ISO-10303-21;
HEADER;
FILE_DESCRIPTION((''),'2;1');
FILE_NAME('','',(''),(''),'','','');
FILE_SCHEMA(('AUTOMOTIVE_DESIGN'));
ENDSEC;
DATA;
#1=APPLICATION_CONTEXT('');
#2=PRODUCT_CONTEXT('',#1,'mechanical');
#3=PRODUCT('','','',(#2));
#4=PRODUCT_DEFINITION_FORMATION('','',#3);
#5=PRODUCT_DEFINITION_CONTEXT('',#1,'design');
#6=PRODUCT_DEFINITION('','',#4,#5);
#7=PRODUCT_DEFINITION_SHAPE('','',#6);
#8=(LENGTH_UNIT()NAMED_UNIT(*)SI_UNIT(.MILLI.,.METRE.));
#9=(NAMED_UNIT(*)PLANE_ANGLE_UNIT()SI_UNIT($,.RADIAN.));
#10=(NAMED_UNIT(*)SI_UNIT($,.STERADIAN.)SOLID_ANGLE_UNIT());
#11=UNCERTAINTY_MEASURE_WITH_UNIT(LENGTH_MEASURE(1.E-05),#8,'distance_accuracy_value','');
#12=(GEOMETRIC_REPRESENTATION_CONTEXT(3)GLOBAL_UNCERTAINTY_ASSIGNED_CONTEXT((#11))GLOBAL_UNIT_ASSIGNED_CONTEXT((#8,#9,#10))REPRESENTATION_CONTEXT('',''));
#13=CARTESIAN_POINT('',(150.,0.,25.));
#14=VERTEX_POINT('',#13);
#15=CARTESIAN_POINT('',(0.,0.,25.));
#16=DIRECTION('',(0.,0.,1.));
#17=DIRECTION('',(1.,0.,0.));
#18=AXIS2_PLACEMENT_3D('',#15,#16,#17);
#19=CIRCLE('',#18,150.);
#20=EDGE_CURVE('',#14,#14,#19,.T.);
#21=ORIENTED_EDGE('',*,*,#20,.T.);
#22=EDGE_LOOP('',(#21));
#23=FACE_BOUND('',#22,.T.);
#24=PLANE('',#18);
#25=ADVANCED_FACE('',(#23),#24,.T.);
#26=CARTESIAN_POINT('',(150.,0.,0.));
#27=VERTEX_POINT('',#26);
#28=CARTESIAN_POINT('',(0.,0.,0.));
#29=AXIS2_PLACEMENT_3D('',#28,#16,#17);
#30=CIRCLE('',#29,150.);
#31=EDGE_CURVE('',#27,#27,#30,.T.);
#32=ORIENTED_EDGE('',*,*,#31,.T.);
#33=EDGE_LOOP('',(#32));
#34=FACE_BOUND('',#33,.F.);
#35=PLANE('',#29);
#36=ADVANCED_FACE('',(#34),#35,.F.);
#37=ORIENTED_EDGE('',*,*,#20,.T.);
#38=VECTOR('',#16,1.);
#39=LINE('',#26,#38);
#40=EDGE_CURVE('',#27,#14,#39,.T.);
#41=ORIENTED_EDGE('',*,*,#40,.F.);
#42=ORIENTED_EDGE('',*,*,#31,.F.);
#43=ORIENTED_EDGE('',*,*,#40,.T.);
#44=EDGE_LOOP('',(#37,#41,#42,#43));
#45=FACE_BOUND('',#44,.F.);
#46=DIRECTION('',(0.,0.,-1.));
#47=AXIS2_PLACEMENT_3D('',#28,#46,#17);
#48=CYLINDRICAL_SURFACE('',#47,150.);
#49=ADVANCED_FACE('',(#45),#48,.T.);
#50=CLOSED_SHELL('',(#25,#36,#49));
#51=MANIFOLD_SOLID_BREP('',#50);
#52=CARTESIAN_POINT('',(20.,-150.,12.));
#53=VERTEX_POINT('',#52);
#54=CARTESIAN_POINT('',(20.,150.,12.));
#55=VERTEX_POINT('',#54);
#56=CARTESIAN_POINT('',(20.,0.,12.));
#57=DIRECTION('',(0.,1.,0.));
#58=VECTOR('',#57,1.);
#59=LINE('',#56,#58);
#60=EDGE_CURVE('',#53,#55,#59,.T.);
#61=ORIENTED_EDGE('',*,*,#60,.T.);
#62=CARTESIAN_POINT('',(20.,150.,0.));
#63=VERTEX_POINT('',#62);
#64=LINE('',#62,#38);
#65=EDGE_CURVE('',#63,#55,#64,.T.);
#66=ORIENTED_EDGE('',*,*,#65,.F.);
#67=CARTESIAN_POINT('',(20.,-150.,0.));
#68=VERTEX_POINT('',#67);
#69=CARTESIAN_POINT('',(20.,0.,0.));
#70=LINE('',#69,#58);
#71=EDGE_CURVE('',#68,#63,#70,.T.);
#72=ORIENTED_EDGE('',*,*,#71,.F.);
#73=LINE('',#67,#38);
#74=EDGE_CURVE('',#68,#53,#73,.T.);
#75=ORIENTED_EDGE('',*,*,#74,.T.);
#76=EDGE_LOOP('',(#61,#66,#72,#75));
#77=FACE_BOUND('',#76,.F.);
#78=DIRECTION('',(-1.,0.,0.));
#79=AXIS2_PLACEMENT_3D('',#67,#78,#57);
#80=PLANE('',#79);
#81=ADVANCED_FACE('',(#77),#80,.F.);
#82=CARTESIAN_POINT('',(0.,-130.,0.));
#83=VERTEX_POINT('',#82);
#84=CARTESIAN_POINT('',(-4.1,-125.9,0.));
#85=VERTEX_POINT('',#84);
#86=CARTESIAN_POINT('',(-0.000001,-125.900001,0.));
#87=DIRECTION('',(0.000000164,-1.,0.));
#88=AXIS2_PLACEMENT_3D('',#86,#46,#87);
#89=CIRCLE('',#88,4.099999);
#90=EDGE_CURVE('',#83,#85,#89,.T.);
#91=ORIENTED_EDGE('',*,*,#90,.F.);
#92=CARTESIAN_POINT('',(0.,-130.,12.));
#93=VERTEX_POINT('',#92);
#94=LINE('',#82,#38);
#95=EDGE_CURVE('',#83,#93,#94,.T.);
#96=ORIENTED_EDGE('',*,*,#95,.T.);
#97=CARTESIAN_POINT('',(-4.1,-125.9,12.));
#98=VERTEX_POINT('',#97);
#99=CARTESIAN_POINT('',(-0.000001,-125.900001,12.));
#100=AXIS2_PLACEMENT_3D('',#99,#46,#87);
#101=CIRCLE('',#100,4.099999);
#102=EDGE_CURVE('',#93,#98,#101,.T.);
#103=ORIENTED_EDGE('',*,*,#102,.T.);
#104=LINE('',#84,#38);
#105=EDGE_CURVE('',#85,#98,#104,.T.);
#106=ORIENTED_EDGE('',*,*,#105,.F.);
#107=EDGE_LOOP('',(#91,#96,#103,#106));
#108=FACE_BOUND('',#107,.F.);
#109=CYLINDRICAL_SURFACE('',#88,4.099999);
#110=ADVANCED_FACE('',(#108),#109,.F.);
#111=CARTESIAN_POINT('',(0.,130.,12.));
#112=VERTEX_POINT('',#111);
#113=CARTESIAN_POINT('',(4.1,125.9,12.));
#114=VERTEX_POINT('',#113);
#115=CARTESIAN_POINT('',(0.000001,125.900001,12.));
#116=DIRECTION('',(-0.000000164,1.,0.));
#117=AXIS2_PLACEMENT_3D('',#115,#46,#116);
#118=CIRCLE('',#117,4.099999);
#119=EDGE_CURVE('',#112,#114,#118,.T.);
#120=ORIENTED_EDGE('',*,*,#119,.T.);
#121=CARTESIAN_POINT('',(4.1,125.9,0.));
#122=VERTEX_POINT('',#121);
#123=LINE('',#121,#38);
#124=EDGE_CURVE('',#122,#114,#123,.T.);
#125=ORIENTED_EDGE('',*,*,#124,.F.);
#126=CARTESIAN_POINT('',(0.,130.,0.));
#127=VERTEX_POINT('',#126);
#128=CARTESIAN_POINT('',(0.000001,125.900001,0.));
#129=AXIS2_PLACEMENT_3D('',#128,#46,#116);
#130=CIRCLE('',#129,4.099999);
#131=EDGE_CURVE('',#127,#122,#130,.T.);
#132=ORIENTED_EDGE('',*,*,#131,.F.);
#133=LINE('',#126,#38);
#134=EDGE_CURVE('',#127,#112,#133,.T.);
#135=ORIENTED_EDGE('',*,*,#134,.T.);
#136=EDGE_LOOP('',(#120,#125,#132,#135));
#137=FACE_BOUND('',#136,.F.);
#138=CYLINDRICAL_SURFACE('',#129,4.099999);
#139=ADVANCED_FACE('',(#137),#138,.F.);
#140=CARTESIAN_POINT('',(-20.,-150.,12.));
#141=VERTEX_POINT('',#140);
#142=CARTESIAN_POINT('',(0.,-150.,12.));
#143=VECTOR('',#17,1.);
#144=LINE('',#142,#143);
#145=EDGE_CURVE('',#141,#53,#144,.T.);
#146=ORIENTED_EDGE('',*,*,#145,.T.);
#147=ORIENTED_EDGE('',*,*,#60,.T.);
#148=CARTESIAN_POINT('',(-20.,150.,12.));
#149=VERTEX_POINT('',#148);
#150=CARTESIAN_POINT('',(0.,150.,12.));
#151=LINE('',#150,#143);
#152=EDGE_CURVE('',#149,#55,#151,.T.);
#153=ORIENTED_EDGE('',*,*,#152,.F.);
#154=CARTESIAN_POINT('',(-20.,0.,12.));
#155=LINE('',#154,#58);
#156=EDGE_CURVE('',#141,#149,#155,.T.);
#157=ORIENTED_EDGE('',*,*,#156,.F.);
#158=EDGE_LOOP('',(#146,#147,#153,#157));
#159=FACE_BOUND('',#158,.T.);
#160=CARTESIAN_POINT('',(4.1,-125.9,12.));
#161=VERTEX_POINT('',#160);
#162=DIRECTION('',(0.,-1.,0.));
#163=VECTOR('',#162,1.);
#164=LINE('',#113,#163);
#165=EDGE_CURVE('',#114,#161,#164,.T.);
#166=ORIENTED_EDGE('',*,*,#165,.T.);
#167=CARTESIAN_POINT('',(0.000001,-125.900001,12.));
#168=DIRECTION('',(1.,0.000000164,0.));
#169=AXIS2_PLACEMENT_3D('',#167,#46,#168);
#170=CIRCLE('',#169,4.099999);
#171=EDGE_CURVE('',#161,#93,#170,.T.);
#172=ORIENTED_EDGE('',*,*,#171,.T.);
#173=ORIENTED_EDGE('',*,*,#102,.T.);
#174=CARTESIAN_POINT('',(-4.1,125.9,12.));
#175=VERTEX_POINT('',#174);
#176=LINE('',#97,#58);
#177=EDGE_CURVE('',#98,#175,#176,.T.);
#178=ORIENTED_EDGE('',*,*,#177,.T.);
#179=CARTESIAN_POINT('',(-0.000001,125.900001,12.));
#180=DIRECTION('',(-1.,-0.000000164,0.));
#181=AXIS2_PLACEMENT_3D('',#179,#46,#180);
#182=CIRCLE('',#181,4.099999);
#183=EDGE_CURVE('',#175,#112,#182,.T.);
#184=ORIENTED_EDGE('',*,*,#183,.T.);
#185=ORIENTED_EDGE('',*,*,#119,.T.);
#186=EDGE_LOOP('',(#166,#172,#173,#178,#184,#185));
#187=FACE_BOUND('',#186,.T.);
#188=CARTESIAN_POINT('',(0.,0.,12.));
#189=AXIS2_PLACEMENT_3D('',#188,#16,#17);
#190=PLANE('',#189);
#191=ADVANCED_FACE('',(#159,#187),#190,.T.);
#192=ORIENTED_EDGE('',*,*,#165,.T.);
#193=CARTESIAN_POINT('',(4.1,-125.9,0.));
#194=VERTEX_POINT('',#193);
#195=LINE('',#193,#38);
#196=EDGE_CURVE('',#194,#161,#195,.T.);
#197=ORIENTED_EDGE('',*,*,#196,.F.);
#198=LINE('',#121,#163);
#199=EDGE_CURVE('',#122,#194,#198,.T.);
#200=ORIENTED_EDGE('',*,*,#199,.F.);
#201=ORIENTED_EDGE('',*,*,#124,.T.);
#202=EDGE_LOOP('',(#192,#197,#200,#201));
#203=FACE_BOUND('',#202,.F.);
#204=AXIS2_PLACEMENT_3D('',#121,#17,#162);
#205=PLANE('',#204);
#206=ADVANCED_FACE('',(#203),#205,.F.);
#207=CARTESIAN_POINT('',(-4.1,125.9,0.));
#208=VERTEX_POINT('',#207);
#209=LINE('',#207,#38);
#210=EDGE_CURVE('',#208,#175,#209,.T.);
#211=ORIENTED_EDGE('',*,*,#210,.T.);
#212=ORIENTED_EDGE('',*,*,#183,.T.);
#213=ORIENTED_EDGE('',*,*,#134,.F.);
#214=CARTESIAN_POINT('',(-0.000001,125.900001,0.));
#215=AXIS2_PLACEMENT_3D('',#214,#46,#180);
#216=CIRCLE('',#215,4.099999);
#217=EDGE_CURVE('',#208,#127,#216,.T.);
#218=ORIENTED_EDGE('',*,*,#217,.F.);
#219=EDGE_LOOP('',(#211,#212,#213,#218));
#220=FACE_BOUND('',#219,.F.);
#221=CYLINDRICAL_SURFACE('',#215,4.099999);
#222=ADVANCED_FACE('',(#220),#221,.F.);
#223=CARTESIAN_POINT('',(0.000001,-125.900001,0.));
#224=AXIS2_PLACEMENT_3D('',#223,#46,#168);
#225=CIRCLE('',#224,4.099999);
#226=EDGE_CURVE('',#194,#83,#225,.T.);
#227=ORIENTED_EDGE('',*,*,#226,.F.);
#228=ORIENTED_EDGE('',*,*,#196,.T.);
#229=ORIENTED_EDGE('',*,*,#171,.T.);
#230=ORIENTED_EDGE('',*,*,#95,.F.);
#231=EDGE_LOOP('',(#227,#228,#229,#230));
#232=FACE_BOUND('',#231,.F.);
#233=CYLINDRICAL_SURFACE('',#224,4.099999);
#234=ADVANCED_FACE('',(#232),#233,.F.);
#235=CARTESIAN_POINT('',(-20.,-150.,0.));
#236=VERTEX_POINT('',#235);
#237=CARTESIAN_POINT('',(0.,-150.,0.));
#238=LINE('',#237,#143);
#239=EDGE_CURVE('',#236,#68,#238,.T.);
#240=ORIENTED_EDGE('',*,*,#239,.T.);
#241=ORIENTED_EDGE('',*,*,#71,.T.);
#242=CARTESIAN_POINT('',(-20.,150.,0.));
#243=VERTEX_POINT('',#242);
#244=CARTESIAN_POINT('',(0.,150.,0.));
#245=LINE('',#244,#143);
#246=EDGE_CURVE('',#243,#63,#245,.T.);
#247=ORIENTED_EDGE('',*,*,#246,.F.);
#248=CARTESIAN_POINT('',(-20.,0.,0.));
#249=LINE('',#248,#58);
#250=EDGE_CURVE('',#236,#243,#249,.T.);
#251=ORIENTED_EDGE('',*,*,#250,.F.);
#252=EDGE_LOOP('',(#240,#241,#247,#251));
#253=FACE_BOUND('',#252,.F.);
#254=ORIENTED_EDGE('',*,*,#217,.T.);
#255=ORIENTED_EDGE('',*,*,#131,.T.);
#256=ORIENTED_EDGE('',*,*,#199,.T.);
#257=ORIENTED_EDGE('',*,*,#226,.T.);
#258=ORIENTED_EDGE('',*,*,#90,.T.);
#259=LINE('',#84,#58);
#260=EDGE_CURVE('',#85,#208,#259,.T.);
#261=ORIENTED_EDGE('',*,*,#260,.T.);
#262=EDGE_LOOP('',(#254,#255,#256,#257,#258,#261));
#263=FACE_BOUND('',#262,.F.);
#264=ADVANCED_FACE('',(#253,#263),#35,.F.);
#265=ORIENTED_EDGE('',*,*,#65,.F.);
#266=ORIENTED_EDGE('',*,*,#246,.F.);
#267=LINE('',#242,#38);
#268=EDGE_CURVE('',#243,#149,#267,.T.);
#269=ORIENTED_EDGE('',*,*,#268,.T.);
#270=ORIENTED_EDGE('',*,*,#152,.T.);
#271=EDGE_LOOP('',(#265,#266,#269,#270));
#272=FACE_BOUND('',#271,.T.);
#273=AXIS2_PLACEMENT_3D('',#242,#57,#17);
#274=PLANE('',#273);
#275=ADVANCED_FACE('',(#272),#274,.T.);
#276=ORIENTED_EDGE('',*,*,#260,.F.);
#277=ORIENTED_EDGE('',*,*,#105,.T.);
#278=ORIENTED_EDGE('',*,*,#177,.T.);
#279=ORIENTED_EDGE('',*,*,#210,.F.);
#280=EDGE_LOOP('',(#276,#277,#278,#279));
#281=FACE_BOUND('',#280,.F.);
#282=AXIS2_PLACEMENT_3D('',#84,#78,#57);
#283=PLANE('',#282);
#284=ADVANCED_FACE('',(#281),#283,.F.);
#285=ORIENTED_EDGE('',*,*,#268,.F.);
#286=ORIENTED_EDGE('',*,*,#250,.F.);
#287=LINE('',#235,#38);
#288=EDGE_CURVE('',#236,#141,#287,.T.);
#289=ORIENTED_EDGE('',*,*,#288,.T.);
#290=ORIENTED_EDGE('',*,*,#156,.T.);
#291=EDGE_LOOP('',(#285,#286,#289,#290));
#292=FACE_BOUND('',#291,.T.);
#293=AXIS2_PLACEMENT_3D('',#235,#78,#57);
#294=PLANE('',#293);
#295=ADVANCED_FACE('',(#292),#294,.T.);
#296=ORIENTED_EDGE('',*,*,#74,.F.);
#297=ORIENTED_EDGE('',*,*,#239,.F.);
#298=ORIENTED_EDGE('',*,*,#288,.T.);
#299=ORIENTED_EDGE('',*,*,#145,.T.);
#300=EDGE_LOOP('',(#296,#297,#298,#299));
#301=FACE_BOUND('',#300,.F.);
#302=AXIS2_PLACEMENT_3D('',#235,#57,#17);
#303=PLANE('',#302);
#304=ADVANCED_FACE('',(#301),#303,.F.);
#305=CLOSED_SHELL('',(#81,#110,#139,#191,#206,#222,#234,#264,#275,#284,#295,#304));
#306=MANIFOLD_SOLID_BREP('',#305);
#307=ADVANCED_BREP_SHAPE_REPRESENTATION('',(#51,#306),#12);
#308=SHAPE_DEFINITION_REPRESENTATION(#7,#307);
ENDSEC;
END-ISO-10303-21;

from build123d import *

# Parameters (mm, degrees)
F0_W     = 40
F0_H     = 300
F1_DEPTH = 12
F2_R     = 150
F3_DEPTH = 25


with BuildPart() as f1:
    # F0 (on Top) → F1 (new body)
    with BuildSketch(Plane.XY):
        Rectangle(F0_W, F0_H)
        with BuildLine():
            Line((-4.1, -125.9), (-4.1, 125.9))
            ThreePointArc((-4.1, 125.9), (-2.899138, 128.799138), (0, 130))
            ThreePointArc((0, 130), (2.899138, 128.799138), (4.1, 125.9))
            Line((4.1, 125.9), (4.1, -125.9))
            ThreePointArc((4.1, -125.9), (2.899138, -128.799138), (0, -130))
            ThreePointArc((0, -130), (-2.899138, -128.799138), (-4.1, -125.9))
        make_face(mode=Mode.SUBTRACT)
    extrude(amount=F1_DEPTH)


with BuildPart() as f3:
    # F2 (on Top) → F3 (new body)
    with BuildSketch(Plane.XY):
        Circle(F2_R)
    extrude(amount=F3_DEPTH)


solid = Compound([f1.part, f3.part])
